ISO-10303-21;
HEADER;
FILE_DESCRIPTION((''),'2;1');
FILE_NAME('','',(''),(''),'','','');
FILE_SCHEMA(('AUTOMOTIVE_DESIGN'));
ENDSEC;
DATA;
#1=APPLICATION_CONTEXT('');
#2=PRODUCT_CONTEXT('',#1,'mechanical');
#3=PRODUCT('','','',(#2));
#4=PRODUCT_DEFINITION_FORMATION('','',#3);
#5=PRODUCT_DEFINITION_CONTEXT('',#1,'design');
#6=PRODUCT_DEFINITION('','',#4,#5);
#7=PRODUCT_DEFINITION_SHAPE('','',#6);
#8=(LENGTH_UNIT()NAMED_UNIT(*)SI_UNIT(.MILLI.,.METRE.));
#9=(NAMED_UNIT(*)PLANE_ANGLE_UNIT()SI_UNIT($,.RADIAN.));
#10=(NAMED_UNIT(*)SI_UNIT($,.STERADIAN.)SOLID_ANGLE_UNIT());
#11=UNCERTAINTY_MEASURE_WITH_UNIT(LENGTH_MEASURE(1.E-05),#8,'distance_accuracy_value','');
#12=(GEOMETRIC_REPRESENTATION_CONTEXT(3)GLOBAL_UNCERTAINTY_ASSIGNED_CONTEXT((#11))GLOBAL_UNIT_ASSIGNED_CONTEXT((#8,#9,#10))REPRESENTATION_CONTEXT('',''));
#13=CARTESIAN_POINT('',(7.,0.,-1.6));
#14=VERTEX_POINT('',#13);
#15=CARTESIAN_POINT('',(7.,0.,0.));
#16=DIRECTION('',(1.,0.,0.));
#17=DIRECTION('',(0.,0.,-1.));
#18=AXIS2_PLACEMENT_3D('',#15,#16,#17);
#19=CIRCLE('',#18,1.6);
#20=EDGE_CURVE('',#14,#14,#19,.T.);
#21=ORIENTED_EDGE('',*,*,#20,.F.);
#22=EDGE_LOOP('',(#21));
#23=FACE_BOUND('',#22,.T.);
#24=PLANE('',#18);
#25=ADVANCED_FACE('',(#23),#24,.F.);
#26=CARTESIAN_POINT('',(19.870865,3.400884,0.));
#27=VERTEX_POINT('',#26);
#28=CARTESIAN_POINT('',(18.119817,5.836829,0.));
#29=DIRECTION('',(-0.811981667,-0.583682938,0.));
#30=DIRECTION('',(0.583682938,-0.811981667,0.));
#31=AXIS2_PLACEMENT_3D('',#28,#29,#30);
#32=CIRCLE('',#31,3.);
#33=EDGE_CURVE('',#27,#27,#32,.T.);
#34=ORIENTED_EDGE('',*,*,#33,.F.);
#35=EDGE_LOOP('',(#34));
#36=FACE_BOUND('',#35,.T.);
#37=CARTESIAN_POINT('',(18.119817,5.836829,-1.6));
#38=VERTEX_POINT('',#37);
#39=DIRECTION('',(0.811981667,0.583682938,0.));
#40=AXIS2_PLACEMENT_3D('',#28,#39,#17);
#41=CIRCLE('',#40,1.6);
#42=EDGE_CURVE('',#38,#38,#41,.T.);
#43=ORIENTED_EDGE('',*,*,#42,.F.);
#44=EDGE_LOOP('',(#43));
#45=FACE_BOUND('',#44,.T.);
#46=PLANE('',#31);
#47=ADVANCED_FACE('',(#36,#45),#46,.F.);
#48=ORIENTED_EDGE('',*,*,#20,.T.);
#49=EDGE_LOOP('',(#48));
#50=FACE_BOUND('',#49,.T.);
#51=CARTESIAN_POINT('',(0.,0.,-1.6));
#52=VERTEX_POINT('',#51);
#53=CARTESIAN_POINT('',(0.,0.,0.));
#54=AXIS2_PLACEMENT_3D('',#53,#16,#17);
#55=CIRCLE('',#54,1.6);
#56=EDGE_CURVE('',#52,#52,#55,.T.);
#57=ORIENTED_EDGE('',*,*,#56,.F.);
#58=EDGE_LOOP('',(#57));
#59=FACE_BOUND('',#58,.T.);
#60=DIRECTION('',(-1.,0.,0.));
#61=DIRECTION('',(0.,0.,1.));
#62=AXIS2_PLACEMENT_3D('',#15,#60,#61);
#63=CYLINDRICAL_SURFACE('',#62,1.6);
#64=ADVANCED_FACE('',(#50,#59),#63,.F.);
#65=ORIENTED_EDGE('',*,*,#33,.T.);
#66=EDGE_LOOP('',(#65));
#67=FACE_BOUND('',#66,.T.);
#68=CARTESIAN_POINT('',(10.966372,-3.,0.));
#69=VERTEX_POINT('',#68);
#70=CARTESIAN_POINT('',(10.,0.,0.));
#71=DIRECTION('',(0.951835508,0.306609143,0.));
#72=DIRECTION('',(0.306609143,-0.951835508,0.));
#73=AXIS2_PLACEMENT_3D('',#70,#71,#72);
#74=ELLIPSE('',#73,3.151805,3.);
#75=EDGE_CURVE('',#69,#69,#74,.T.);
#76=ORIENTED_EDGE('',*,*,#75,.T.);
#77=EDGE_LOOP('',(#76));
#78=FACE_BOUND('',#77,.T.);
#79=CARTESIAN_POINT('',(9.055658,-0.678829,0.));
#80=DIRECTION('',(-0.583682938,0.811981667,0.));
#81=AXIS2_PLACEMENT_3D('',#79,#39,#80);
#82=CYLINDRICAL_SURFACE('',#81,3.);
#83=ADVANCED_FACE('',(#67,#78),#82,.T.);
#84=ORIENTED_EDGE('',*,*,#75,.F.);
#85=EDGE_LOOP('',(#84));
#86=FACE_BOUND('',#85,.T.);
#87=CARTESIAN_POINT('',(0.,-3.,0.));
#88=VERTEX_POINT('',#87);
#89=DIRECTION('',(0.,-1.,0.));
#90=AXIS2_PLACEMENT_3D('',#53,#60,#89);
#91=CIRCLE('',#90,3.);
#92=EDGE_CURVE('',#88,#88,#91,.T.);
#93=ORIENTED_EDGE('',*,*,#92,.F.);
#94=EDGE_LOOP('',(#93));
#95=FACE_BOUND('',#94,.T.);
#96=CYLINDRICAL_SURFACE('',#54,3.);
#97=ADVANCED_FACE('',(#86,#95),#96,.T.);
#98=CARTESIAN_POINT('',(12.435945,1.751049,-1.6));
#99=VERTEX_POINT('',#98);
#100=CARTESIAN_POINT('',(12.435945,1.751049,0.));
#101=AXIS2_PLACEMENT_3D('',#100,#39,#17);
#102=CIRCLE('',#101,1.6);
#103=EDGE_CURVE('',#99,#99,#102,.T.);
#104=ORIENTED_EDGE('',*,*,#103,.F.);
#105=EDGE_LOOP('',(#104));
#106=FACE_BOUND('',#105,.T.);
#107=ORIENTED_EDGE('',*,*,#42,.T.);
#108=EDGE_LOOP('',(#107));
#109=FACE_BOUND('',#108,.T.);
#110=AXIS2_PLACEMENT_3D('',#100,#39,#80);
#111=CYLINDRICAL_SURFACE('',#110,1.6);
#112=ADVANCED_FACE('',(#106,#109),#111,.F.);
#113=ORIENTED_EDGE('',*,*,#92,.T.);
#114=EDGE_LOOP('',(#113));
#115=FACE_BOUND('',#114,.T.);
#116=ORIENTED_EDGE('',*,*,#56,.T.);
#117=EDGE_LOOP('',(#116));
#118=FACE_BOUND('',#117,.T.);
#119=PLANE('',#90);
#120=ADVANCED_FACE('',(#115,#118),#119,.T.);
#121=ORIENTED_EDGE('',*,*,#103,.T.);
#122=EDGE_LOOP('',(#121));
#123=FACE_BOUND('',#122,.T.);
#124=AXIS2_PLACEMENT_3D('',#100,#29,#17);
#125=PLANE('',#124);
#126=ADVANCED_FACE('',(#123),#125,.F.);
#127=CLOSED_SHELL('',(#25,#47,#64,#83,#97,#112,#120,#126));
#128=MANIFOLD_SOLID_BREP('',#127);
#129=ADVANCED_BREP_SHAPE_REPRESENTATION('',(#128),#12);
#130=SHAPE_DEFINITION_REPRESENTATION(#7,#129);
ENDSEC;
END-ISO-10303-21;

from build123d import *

# Parameters (mm, degrees)
SWEEP1_PROFILE_R   = 3
SKETCH3_R          = 1.6
CUT_EXTRUDE1_DEPTH = 7


with BuildPart() as part:
    # Sweep1: sweep along a path in Sketch2
    with BuildLine(Plane.XY) as sweep1_path:
        Line((0, 0), (10, 0))
        Line((10, 0), (18.119816674, 5.836829378))
    # Sweep1 profile (on start of the path) → Sweep1 (sweep)
    with BuildSketch(Plane(origin=(0, 0, 0), x_dir=(0, 0, 1), z_dir=(1, 0, 0))):
        Circle(SWEEP1_PROFILE_R)
    sweep(path=sweep1_path.line, transition=Transition.RIGHT)

    # Sketch3 → Cut-Extrude1 (cut)
    with BuildSketch(Plane(origin=(0, 0, 0), x_dir=(0, 0, -1), z_dir=(1, 0, 0))):
        Circle(SKETCH3_R)
    cut_extrude1 = extrude(amount=CUT_EXTRUDE1_DEPTH, mode=Mode.SUBTRACT)

    # Mirror1: Cut-Extrude1 across plane
    add(cut_extrude1.mirror(Plane(origin=(9.059908337, 2.918414689, 0), x_dir=(0, 0, 1), z_dir=(0.951835508, 0.306609143, 0))), mode=Mode.SUBTRACT)


solid = part.part
